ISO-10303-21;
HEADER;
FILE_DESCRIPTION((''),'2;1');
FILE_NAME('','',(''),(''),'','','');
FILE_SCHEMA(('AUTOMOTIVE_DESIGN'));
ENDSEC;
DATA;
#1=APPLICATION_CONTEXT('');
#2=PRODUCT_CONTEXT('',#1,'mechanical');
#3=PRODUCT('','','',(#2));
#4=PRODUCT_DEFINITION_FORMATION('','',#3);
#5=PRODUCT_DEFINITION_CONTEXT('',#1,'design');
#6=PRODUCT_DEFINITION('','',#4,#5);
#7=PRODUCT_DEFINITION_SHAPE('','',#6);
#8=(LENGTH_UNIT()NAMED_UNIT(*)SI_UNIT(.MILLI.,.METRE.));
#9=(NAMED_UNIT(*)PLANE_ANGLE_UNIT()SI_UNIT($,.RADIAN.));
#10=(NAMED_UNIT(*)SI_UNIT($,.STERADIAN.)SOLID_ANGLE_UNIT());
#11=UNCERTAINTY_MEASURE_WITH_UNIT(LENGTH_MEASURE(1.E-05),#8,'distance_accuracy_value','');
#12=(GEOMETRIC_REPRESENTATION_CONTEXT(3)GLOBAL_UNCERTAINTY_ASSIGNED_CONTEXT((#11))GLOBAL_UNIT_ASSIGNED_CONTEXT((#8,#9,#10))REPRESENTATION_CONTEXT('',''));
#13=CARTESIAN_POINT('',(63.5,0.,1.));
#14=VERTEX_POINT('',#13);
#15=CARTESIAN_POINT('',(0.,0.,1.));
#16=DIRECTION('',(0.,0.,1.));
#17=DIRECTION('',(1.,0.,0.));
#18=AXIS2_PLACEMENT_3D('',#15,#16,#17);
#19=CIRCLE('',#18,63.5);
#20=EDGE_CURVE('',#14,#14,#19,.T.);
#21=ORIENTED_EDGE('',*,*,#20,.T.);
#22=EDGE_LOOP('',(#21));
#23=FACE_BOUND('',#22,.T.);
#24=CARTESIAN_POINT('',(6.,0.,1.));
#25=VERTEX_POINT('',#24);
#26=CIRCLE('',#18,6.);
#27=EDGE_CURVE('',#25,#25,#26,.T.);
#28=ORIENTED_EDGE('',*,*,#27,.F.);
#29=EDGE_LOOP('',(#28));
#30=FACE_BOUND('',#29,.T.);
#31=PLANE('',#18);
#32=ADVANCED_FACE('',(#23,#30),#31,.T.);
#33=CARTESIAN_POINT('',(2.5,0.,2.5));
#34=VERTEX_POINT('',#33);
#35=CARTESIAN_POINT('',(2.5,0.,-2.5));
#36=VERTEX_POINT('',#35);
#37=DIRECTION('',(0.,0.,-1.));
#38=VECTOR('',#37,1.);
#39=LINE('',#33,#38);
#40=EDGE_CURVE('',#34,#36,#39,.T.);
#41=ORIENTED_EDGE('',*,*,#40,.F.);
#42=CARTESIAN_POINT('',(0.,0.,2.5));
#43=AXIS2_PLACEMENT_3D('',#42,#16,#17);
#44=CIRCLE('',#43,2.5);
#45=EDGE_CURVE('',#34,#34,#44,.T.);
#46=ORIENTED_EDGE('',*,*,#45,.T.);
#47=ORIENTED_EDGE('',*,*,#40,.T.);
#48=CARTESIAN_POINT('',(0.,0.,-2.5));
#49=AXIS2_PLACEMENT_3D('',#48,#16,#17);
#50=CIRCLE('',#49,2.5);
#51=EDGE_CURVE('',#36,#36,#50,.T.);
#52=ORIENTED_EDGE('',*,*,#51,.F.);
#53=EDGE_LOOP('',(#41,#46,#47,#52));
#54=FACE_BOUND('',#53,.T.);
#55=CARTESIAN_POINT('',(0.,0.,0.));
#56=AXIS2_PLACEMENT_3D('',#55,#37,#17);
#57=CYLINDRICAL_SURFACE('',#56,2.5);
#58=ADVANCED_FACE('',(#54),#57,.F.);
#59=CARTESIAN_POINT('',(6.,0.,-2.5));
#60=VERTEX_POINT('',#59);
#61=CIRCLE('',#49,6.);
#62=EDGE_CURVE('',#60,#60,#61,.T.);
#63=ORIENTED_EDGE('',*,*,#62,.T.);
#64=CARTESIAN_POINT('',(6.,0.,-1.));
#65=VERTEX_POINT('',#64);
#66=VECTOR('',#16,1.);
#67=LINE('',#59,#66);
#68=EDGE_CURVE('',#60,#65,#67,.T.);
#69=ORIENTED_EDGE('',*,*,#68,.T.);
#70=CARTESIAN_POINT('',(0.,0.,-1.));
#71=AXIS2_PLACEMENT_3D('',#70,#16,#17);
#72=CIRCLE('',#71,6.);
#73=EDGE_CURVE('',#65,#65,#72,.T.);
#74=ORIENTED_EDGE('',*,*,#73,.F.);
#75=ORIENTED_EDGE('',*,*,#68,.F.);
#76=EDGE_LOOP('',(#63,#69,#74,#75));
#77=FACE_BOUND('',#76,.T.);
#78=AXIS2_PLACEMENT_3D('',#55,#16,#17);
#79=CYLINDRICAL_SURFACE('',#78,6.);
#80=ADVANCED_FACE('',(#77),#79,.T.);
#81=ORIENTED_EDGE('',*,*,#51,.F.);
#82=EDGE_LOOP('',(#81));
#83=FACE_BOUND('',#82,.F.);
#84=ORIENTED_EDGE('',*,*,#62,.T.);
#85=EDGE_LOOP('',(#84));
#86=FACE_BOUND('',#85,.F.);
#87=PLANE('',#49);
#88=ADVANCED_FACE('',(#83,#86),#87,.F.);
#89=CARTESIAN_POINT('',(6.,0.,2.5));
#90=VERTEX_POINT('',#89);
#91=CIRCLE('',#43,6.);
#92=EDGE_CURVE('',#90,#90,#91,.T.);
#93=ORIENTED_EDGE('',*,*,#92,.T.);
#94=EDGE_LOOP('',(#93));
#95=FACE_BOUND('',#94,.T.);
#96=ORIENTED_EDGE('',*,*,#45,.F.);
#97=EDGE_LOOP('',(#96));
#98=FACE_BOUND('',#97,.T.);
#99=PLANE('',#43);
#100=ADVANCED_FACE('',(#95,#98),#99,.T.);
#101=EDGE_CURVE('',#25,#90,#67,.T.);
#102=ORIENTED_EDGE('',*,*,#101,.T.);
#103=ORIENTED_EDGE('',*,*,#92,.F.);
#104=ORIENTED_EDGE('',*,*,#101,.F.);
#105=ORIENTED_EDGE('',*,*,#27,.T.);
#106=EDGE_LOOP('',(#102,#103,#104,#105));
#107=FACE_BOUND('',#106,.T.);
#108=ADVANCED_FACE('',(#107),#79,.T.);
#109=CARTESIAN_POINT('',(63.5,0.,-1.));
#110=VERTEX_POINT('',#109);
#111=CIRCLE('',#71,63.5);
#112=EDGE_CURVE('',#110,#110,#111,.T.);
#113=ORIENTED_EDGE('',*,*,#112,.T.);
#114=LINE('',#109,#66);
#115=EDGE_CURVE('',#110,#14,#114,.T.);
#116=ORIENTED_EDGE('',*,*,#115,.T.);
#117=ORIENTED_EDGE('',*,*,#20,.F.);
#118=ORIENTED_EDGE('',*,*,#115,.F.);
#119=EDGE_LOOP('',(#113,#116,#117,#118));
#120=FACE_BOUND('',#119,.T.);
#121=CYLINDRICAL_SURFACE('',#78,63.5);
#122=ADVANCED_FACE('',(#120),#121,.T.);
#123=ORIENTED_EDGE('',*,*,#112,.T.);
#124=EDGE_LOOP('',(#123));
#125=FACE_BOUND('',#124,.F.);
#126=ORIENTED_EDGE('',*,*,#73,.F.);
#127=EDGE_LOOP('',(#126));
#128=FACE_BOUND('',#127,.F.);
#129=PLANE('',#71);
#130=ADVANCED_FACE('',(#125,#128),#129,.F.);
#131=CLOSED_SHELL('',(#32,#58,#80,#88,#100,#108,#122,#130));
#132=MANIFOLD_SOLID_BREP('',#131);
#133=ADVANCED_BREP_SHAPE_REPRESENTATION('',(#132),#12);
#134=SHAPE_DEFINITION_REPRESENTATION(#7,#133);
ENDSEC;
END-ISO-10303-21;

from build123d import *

# Parameters (mm, degrees)
F0_R     = 6
F0_R_2   = 2.5
F1_DEPTH = 2.5
F2_R     = 63.5
F2_R_2   = 5
F3_DEPTH = 1


with BuildPart() as f1:
    # F0 (on Top) → F1 (new body, symmetric)
    with BuildSketch(Plane.XY):
        Circle(F0_R)
        Circle(F0_R_2, mode=Mode.SUBTRACT)
    extrude(amount=F1_DEPTH, both=True)

    # F2 (on Top) → F3 (join, symmetric)
    with BuildSketch(Plane.XY):
        Circle(F2_R)
        Circle(F2_R_2, mode=Mode.SUBTRACT)
    extrude(amount=F3_DEPTH, both=True)


solid = f1.part
